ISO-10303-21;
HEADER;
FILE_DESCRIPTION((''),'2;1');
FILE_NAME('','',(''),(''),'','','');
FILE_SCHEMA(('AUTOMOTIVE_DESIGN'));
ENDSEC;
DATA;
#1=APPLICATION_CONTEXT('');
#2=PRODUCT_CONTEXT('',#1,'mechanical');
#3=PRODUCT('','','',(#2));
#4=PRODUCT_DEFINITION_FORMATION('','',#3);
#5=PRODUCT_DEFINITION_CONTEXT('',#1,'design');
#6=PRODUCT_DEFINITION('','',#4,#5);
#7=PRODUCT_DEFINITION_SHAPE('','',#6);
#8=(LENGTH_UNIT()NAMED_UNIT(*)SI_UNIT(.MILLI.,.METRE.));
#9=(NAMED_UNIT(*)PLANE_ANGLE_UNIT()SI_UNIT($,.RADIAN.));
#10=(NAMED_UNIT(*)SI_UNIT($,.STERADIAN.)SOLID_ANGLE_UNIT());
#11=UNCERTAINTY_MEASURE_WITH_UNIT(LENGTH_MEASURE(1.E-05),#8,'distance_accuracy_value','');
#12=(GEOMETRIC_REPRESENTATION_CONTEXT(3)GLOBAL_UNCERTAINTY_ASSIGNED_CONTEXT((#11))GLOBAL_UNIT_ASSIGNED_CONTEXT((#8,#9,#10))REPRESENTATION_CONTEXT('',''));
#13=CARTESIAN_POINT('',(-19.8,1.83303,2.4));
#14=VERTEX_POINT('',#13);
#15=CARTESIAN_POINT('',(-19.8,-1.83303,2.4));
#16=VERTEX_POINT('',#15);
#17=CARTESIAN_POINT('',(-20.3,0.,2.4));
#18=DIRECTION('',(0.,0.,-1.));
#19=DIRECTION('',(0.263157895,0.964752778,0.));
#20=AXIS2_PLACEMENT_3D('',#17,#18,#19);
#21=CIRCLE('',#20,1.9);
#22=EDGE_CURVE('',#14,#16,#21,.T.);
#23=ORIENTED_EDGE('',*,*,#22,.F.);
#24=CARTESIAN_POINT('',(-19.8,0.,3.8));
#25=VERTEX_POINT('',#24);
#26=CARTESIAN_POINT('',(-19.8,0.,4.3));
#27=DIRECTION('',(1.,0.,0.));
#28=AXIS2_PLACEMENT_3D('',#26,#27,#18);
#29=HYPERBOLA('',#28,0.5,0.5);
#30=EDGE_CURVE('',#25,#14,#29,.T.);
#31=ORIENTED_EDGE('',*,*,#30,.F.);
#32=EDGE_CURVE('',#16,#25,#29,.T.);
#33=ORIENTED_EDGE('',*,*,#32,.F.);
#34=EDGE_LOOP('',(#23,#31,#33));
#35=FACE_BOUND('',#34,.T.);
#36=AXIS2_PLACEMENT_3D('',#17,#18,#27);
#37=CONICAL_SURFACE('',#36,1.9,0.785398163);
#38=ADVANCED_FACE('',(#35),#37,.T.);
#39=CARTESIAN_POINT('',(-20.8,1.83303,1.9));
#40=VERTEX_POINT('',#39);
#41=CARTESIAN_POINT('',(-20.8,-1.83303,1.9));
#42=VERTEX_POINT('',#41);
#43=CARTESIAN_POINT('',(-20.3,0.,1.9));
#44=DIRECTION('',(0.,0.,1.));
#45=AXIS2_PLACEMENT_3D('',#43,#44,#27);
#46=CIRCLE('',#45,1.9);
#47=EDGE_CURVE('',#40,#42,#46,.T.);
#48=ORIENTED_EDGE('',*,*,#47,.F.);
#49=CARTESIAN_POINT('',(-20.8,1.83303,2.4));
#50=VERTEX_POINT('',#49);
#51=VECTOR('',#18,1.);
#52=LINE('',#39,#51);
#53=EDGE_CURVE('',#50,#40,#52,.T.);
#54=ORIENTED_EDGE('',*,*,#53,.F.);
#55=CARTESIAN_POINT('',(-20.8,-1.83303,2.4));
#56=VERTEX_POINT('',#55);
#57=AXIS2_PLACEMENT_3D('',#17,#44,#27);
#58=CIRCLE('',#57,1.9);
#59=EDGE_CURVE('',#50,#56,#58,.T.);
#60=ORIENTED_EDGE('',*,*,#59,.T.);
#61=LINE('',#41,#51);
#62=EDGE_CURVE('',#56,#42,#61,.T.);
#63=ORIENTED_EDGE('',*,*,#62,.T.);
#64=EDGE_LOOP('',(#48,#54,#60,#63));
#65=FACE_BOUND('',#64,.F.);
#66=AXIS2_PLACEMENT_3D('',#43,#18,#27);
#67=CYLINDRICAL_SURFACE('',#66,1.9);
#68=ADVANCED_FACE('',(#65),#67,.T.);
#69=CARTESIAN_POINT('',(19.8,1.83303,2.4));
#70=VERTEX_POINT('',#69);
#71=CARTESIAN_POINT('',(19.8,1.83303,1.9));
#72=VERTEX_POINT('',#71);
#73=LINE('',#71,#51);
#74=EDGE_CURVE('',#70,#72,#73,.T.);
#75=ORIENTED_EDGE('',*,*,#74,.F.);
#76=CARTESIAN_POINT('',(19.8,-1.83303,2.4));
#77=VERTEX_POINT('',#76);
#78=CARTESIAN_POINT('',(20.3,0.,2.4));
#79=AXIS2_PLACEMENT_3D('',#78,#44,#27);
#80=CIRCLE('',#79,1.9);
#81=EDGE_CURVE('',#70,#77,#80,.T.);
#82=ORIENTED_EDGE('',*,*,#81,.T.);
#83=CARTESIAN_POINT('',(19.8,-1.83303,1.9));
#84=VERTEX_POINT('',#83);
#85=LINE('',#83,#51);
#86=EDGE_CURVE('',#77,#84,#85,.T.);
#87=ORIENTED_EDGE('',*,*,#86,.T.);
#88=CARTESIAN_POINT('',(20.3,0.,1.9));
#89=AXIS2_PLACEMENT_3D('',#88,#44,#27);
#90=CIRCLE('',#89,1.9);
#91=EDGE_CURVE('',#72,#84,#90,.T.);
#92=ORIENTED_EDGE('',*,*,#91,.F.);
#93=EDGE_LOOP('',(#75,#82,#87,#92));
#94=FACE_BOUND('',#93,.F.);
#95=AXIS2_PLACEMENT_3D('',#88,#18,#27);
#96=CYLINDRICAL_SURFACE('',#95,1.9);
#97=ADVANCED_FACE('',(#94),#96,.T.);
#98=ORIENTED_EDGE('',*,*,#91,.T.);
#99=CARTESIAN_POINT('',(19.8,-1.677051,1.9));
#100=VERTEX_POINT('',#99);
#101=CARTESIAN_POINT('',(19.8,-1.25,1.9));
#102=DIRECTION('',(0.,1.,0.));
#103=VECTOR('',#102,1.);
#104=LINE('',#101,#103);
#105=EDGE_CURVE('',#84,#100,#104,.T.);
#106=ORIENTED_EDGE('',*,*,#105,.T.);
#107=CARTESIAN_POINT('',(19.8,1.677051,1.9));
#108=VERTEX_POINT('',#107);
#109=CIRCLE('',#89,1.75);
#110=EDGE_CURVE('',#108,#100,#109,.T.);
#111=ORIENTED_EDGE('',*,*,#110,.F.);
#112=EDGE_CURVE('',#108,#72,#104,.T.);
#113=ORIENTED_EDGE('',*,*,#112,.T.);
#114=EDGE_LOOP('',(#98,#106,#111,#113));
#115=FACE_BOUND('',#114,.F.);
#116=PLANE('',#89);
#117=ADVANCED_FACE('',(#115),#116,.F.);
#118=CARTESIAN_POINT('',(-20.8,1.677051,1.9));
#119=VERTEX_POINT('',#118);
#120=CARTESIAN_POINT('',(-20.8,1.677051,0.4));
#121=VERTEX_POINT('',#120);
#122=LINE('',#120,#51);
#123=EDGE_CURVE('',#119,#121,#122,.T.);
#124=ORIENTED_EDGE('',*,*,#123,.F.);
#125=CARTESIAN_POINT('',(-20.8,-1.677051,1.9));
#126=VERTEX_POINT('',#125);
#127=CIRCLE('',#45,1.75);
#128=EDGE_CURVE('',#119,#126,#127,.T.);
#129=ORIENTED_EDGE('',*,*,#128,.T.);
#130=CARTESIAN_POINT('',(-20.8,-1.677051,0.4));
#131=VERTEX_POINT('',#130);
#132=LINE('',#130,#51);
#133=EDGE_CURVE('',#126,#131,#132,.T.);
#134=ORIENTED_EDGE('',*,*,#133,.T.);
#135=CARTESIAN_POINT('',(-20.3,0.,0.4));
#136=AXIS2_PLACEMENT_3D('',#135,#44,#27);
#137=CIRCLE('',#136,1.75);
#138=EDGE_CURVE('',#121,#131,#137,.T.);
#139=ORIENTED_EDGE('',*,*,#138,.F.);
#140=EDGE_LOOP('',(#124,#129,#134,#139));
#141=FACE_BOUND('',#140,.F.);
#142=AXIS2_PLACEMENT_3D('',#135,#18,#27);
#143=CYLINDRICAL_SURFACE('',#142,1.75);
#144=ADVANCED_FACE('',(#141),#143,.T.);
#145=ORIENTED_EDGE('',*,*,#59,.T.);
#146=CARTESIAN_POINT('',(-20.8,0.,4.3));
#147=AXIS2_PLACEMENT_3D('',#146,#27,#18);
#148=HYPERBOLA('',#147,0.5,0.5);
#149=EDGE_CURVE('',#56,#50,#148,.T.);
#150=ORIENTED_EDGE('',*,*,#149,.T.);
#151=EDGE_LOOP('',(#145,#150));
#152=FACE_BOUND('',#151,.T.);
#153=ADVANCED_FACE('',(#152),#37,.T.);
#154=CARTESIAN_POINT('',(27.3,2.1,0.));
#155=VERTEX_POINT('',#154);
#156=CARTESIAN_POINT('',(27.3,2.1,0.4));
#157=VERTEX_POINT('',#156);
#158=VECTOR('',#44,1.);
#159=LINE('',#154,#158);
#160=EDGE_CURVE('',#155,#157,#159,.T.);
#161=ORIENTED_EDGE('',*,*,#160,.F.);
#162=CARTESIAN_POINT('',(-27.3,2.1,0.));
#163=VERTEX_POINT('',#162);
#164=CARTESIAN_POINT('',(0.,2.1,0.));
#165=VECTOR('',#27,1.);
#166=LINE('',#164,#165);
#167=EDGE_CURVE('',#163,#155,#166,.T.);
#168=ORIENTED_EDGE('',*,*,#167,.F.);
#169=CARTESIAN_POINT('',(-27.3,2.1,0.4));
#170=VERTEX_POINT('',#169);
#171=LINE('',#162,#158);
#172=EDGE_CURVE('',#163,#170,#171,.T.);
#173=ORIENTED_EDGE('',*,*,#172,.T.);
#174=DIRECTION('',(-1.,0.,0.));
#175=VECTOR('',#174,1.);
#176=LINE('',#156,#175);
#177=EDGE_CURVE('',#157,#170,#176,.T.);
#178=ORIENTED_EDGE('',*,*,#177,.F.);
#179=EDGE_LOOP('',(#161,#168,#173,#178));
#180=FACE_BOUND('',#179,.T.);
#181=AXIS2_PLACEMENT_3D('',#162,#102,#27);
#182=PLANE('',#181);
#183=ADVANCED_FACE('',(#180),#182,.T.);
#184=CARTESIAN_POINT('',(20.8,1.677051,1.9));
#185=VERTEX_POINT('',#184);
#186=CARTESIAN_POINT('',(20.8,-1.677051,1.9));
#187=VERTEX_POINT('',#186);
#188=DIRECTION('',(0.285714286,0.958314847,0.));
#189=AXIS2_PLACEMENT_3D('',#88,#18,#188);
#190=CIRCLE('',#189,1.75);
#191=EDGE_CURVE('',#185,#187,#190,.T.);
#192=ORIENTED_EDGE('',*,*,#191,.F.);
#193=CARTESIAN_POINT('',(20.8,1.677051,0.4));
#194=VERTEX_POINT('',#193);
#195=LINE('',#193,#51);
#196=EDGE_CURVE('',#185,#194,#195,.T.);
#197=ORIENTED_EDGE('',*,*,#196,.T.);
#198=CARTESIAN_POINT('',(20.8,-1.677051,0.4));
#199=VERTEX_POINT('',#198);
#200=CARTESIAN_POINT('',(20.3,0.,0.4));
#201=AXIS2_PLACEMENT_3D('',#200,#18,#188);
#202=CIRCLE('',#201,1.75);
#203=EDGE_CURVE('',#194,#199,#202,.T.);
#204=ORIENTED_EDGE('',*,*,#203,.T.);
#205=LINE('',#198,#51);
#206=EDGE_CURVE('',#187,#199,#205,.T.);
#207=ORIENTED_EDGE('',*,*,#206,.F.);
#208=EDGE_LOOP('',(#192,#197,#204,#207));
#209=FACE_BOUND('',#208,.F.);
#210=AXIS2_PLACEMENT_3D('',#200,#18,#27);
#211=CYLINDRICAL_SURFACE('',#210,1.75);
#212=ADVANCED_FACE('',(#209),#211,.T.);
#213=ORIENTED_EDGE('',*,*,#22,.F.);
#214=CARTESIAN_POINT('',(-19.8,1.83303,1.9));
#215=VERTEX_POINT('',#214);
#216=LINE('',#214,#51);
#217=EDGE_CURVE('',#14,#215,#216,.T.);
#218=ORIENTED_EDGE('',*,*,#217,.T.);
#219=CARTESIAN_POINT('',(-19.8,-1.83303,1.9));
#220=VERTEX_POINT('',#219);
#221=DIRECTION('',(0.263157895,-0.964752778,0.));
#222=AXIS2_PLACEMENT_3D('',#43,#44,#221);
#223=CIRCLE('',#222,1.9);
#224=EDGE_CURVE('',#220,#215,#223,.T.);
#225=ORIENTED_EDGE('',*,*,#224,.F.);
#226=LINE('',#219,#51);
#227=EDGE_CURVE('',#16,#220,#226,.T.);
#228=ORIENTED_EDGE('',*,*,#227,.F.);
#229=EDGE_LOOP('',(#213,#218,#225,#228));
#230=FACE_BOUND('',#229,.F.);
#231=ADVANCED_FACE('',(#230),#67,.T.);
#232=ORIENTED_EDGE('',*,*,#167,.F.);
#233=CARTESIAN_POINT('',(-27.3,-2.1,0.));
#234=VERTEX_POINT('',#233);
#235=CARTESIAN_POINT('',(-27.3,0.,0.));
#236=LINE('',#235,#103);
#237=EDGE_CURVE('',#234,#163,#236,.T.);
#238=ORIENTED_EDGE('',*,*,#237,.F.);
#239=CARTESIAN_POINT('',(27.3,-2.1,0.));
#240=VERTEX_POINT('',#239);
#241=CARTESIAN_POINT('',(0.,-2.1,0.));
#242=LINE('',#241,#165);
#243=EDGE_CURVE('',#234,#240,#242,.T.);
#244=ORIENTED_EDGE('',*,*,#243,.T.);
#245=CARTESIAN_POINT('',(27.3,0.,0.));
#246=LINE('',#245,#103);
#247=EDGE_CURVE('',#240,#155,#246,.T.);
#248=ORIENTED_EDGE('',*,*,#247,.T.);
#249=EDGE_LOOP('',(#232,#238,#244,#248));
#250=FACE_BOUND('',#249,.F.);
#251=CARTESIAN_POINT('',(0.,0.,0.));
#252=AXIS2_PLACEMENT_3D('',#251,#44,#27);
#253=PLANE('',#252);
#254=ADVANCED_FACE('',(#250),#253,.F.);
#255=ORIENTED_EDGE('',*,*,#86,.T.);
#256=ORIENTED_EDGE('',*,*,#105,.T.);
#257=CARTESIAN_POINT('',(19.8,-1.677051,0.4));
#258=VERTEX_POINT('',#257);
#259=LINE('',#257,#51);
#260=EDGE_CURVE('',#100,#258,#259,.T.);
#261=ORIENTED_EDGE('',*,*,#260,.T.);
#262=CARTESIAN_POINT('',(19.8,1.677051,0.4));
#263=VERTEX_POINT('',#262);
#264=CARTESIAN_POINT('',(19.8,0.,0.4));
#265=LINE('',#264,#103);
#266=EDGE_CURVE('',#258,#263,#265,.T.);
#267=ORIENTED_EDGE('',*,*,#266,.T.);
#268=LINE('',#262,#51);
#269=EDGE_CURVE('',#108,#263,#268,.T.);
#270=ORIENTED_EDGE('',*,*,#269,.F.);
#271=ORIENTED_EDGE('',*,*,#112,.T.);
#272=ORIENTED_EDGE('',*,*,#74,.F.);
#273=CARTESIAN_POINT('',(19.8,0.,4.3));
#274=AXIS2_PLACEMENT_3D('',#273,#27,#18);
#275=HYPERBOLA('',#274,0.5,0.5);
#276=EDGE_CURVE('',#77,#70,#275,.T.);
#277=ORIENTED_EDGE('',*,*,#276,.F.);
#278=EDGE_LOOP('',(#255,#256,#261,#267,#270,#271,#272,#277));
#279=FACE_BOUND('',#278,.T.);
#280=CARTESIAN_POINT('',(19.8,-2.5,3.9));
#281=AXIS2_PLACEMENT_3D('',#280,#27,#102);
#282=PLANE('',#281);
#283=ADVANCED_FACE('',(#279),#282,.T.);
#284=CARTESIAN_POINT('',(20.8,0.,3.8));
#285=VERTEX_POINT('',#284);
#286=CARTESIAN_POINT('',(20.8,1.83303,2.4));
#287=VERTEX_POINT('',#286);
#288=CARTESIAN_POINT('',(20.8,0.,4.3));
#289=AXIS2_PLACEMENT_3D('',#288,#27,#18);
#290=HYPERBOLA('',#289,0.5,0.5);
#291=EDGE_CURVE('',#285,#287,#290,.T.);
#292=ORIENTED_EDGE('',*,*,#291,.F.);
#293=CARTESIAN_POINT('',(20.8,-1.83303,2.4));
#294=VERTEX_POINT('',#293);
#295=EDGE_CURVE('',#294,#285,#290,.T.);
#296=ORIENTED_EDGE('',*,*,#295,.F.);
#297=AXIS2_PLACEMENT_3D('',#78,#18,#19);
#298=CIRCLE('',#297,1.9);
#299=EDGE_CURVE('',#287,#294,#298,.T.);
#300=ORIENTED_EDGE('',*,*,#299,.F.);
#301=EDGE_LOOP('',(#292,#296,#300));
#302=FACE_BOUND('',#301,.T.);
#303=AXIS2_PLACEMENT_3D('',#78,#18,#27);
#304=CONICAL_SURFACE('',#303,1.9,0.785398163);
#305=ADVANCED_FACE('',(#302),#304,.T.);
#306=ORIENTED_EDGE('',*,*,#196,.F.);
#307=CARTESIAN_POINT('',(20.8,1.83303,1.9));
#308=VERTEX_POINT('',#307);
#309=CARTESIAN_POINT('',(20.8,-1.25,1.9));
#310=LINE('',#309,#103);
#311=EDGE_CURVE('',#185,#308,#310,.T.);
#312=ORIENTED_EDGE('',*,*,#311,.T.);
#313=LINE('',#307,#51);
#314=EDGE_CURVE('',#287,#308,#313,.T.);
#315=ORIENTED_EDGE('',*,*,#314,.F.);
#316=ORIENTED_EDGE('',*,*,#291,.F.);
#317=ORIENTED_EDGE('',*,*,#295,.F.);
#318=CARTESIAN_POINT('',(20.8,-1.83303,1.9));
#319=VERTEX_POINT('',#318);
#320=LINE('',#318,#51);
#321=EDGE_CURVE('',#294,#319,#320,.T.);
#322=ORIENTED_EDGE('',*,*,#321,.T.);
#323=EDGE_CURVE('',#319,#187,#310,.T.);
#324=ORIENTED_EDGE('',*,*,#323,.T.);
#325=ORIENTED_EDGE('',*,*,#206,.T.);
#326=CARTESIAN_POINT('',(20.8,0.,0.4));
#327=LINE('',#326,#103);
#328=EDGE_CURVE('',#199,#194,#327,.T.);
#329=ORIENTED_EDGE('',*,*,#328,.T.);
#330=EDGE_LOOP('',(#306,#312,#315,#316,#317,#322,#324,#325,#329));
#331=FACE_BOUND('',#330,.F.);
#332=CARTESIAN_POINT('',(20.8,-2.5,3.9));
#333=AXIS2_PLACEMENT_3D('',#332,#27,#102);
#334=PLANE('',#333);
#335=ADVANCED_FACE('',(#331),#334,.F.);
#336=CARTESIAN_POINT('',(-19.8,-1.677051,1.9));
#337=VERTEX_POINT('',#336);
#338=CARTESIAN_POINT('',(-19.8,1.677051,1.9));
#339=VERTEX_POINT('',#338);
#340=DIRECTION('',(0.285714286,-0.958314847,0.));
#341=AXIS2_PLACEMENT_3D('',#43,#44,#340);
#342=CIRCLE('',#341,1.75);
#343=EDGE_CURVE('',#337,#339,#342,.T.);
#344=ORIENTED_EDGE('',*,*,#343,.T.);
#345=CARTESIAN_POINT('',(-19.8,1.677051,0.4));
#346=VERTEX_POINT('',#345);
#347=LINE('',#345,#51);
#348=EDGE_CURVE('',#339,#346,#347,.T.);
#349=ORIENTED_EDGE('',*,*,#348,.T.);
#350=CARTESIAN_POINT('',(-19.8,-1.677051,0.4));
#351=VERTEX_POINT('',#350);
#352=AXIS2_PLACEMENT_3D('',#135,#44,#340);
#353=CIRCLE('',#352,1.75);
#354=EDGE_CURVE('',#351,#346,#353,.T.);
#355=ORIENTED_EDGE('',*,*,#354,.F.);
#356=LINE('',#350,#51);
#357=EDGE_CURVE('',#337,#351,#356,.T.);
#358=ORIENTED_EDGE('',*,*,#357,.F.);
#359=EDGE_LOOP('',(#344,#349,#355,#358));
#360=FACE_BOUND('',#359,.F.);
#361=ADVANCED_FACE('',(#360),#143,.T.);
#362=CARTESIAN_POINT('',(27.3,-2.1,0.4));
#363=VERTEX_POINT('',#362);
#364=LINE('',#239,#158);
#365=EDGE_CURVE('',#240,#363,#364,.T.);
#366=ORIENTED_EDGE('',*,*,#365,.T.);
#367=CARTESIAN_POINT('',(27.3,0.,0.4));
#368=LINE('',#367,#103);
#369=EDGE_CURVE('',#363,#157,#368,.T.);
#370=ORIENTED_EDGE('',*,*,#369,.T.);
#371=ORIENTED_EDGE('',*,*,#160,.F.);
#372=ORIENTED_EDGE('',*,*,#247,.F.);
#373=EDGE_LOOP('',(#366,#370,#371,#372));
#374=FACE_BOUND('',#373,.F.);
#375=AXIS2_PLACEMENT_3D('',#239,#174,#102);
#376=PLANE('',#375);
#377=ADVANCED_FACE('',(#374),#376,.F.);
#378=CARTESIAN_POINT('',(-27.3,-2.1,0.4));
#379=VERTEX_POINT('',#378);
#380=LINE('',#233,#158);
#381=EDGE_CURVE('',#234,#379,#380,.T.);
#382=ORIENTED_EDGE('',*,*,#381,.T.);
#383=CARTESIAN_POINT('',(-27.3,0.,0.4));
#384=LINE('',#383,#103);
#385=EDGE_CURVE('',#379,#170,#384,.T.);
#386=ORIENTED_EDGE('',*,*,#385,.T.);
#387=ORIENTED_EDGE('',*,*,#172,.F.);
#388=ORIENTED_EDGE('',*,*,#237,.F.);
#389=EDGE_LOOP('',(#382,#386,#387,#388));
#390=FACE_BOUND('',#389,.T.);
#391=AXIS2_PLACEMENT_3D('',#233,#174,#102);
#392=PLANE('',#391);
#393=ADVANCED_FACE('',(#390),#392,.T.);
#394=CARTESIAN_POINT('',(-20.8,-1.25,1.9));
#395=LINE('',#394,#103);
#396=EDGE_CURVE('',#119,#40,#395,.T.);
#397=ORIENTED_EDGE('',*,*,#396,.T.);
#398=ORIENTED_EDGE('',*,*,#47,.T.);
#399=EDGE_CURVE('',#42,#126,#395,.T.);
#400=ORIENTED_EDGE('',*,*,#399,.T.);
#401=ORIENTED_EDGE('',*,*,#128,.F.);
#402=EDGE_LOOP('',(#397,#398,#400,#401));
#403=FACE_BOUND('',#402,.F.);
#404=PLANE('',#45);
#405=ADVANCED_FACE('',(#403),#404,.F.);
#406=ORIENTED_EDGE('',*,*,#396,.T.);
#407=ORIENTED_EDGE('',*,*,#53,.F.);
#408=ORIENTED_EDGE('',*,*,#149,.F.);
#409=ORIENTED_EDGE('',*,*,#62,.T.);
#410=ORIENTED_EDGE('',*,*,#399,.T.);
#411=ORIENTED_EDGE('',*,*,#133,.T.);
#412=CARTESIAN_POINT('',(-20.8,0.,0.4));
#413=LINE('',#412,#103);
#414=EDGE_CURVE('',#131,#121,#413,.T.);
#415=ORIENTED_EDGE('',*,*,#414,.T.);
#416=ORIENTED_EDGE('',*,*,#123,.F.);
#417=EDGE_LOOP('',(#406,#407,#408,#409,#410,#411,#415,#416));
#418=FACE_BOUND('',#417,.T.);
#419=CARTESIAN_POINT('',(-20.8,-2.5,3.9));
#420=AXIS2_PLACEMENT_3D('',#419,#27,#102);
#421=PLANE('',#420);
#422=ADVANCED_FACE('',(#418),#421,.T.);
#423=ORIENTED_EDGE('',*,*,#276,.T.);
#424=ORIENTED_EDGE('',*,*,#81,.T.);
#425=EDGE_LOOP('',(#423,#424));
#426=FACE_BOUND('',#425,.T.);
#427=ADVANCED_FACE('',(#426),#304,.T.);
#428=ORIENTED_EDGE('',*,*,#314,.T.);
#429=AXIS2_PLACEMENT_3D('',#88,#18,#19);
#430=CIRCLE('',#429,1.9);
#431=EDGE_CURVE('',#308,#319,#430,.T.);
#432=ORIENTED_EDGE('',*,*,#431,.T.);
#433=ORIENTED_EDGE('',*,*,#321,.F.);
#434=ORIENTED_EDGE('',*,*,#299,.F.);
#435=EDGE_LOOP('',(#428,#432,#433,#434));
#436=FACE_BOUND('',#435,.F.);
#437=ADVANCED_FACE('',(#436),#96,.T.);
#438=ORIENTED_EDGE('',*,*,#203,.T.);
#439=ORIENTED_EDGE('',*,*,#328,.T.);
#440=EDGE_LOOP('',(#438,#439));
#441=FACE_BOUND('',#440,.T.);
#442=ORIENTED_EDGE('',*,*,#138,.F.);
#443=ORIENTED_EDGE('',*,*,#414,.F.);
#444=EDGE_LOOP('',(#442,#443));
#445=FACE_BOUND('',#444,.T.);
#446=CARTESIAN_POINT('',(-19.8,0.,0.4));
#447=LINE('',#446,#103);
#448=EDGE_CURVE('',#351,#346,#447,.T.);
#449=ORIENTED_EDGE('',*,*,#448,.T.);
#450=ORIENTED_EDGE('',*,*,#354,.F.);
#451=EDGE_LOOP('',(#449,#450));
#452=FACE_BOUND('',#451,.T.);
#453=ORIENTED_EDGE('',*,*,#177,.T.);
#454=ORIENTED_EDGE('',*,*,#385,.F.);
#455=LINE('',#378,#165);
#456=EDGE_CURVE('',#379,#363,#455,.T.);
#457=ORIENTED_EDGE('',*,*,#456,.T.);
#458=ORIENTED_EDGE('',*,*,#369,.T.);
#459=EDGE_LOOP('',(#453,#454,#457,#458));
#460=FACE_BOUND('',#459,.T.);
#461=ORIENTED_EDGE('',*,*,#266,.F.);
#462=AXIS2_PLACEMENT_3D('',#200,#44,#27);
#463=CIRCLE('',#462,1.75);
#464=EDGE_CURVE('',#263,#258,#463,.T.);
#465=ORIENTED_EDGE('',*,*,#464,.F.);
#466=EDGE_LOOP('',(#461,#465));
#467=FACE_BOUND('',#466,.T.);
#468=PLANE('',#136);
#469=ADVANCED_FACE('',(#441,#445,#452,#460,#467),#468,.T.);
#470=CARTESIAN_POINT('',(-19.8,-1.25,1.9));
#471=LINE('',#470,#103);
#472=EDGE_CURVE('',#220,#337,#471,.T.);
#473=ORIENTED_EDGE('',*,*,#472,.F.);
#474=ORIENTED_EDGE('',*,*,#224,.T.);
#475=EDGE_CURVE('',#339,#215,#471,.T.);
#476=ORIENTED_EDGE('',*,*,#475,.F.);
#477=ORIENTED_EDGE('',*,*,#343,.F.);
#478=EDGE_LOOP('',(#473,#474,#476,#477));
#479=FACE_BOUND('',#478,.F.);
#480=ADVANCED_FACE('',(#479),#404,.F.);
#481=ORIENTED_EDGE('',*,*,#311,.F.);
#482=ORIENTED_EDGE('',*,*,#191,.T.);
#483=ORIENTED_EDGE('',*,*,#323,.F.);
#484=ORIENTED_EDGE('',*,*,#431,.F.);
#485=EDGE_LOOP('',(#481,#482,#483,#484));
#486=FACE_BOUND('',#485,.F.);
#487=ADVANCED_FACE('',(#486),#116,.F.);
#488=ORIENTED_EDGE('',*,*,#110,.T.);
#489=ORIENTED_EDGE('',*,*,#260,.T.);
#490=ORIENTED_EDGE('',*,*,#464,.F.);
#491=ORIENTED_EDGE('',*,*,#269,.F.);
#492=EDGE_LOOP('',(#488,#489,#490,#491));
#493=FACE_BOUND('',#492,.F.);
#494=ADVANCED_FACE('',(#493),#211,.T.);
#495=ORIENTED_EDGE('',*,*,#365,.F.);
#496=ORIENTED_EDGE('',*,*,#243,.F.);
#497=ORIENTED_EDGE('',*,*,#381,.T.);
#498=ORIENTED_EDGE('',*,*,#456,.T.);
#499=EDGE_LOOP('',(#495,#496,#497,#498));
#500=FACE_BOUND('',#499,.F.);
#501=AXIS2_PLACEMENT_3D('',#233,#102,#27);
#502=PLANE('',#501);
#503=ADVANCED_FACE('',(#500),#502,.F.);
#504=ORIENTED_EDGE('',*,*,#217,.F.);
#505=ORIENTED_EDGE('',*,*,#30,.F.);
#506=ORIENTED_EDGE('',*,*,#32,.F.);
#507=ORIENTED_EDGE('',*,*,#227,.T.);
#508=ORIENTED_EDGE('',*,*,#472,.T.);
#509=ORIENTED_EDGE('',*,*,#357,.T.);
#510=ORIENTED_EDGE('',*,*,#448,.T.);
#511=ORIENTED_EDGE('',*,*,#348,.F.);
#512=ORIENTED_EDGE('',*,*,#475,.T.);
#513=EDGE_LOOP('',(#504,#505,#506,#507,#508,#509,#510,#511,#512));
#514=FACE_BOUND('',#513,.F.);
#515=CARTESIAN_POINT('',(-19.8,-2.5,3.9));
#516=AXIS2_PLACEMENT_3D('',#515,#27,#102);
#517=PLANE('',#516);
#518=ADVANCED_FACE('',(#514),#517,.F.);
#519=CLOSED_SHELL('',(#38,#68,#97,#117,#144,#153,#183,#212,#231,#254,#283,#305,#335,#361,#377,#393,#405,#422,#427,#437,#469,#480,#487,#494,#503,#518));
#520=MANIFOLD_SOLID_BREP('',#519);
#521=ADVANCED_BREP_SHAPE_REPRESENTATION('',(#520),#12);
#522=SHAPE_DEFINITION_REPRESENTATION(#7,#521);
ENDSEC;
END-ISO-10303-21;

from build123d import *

# Parameters (mm, degrees)
SKICA2_W                 = 54.6
SKICA2_H                 = 4.2
P_IDAT_VYSUNUT_M2_DEPTH  = 0.4
SKICA3_R                 = 1.75
P_IDAT_VYSUNUT_M3_DEPTH  = 1.5
SKICA5_R                 = 1.9
P_IDAT_VYSUNUT_M5_DEPTH  = 2
ZKOSEN_2_SIZE            = 1.5
SKICA7_W                 = 1
SKICA7_H                 = 5
ODEBRAT_VYSUNUT_M1_DEPTH = 3.5


with BuildPart() as part:
    # Skica2 → Přidat vysunutím2 (new body)
    with BuildSketch(Plane.XY):
        Rectangle(SKICA2_W, SKICA2_H)
    extrude(amount=P_IDAT_VYSUNUT_M2_DEPTH)

    # Skica3 → Přidat vysunutím3 (add)
    with BuildSketch(Plane.XY.offset(0.4)):
        with Locations((-20.3, 0)):
            Circle(SKICA3_R)
        with Locations((20.3, 0)):
            Circle(SKICA3_R)
    extrude(amount=P_IDAT_VYSUNUT_M3_DEPTH)

    # Skica5 → Přidat vysunutím5 (add)
    with BuildSketch(Plane.XY.offset(1.9)):
        with Locations((-20.3, 0)):
            Circle(SKICA5_R)
        with Locations((20.3, 0)):
            Circle(SKICA5_R)
    extrude(amount=P_IDAT_VYSUNUT_M5_DEPTH)

    # Zkosení2
    zkosen_2_edges = [part.edges().sort_by_distance(p)[0] for p in [
        (-22.2, 0, 3.9),
        (18.4, 0, 3.9),
    ]]
    chamfer(zkosen_2_edges, length=ZKOSEN_2_SIZE)

    # Skica7 → Odebrat vysunutím1 (cut)
    with BuildSketch(Plane.XY.offset(3.9)):
        with Locations((-20.3, 0)):
            Rectangle(SKICA7_W, SKICA7_H)
        with Locations((20.3, 0)):
            Rectangle(SKICA7_W, SKICA7_H)
    extrude(amount=-ODEBRAT_VYSUNUT_M1_DEPTH, mode=Mode.SUBTRACT)


solid = part.part
